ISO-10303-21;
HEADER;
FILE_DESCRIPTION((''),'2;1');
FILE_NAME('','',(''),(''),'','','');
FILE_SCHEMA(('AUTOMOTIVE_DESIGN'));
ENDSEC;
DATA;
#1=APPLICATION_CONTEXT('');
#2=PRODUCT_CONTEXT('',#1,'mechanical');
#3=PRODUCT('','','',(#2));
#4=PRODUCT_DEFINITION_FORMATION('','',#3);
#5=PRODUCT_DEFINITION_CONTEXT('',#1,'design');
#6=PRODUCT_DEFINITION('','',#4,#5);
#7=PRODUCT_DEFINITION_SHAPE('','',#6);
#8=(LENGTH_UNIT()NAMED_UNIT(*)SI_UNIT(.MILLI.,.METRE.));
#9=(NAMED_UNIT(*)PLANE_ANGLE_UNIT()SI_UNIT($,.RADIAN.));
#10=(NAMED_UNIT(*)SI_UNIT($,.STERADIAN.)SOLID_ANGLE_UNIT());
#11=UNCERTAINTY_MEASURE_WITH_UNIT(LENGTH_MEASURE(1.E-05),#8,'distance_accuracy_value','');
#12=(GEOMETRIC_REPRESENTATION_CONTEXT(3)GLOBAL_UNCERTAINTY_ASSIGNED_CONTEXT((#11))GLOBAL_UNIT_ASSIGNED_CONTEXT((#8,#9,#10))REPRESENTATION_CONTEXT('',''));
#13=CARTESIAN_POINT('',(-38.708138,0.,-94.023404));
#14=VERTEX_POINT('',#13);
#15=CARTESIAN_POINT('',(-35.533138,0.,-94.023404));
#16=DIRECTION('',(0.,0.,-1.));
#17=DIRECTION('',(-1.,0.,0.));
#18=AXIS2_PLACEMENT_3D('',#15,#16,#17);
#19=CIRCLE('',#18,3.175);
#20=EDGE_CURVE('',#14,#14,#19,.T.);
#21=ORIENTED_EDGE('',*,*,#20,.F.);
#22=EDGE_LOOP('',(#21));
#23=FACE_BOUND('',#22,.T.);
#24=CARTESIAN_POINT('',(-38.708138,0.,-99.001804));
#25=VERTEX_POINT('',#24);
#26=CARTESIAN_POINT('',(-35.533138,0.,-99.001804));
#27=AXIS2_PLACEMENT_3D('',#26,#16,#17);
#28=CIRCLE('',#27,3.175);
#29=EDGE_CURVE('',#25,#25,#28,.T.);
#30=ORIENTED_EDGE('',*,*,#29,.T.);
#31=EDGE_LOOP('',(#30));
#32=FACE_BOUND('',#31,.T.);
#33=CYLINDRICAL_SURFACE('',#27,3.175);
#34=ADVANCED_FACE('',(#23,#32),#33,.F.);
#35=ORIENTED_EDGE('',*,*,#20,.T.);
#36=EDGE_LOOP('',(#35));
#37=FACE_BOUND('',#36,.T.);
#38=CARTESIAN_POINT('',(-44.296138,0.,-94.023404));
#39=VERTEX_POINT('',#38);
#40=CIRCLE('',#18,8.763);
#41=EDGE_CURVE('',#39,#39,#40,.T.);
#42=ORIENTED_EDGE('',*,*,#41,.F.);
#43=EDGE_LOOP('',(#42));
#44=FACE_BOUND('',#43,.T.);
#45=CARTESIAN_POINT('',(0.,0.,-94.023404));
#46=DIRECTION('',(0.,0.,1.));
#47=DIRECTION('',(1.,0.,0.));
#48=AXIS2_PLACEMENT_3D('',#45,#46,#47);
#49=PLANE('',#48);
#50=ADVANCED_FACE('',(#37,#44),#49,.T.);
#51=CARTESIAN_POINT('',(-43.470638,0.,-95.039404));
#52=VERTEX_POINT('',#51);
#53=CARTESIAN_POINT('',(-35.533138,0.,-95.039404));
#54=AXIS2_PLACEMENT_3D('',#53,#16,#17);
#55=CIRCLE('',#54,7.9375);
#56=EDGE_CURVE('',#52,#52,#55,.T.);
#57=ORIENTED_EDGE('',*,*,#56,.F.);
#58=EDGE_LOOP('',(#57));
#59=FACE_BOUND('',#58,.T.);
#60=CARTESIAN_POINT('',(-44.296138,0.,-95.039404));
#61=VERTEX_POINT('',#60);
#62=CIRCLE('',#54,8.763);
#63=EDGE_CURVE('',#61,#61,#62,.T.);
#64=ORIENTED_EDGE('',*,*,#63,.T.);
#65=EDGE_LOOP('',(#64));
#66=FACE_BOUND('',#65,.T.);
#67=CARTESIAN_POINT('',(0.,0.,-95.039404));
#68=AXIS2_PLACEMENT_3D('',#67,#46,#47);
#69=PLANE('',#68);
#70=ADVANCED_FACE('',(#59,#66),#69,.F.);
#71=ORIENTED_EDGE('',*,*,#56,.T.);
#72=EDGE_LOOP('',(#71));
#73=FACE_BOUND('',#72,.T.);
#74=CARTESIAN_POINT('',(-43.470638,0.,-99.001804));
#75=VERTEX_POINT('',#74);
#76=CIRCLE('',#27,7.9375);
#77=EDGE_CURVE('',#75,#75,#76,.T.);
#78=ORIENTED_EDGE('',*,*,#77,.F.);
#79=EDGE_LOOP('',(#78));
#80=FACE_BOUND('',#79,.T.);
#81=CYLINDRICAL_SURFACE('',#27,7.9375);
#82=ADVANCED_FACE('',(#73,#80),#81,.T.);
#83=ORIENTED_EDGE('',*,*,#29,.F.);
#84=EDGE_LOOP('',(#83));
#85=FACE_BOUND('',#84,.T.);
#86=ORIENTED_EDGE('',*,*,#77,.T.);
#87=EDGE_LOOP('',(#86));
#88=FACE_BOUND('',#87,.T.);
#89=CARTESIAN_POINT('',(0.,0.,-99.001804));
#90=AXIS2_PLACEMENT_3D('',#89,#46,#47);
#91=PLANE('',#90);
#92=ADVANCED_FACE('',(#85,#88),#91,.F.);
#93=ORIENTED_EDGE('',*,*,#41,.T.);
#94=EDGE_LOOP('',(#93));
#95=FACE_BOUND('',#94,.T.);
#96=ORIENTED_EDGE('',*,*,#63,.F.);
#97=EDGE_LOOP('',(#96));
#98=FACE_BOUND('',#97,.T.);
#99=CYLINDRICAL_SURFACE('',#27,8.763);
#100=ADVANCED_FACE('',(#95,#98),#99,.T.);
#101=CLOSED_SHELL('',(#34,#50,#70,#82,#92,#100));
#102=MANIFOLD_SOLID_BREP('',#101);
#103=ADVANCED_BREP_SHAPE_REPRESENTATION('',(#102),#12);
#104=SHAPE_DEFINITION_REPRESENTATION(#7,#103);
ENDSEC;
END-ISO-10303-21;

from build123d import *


with BuildPart() as part:
    # Sketch1 → Revolve1 (revolve)
    with BuildSketch(Plane(origin=(0, 0, 0), x_dir=(1, 0, 0), z_dir=(0, 1, 0))):
        Polygon((-38.708137827, 94.023403682), (-38.708137827, 99.001803682), (-43.470637827, 99.001803682), (-43.470637827, 95.039403682), (-38.708137827, 95.039403682), (-44.296137827, 95.039403682), (-44.296137827, 94.023403682), align=None)
    revolve(axis=Axis((-35.533137827, 0, -99.001803682), (0, 0, 1)))


solid = part.part
